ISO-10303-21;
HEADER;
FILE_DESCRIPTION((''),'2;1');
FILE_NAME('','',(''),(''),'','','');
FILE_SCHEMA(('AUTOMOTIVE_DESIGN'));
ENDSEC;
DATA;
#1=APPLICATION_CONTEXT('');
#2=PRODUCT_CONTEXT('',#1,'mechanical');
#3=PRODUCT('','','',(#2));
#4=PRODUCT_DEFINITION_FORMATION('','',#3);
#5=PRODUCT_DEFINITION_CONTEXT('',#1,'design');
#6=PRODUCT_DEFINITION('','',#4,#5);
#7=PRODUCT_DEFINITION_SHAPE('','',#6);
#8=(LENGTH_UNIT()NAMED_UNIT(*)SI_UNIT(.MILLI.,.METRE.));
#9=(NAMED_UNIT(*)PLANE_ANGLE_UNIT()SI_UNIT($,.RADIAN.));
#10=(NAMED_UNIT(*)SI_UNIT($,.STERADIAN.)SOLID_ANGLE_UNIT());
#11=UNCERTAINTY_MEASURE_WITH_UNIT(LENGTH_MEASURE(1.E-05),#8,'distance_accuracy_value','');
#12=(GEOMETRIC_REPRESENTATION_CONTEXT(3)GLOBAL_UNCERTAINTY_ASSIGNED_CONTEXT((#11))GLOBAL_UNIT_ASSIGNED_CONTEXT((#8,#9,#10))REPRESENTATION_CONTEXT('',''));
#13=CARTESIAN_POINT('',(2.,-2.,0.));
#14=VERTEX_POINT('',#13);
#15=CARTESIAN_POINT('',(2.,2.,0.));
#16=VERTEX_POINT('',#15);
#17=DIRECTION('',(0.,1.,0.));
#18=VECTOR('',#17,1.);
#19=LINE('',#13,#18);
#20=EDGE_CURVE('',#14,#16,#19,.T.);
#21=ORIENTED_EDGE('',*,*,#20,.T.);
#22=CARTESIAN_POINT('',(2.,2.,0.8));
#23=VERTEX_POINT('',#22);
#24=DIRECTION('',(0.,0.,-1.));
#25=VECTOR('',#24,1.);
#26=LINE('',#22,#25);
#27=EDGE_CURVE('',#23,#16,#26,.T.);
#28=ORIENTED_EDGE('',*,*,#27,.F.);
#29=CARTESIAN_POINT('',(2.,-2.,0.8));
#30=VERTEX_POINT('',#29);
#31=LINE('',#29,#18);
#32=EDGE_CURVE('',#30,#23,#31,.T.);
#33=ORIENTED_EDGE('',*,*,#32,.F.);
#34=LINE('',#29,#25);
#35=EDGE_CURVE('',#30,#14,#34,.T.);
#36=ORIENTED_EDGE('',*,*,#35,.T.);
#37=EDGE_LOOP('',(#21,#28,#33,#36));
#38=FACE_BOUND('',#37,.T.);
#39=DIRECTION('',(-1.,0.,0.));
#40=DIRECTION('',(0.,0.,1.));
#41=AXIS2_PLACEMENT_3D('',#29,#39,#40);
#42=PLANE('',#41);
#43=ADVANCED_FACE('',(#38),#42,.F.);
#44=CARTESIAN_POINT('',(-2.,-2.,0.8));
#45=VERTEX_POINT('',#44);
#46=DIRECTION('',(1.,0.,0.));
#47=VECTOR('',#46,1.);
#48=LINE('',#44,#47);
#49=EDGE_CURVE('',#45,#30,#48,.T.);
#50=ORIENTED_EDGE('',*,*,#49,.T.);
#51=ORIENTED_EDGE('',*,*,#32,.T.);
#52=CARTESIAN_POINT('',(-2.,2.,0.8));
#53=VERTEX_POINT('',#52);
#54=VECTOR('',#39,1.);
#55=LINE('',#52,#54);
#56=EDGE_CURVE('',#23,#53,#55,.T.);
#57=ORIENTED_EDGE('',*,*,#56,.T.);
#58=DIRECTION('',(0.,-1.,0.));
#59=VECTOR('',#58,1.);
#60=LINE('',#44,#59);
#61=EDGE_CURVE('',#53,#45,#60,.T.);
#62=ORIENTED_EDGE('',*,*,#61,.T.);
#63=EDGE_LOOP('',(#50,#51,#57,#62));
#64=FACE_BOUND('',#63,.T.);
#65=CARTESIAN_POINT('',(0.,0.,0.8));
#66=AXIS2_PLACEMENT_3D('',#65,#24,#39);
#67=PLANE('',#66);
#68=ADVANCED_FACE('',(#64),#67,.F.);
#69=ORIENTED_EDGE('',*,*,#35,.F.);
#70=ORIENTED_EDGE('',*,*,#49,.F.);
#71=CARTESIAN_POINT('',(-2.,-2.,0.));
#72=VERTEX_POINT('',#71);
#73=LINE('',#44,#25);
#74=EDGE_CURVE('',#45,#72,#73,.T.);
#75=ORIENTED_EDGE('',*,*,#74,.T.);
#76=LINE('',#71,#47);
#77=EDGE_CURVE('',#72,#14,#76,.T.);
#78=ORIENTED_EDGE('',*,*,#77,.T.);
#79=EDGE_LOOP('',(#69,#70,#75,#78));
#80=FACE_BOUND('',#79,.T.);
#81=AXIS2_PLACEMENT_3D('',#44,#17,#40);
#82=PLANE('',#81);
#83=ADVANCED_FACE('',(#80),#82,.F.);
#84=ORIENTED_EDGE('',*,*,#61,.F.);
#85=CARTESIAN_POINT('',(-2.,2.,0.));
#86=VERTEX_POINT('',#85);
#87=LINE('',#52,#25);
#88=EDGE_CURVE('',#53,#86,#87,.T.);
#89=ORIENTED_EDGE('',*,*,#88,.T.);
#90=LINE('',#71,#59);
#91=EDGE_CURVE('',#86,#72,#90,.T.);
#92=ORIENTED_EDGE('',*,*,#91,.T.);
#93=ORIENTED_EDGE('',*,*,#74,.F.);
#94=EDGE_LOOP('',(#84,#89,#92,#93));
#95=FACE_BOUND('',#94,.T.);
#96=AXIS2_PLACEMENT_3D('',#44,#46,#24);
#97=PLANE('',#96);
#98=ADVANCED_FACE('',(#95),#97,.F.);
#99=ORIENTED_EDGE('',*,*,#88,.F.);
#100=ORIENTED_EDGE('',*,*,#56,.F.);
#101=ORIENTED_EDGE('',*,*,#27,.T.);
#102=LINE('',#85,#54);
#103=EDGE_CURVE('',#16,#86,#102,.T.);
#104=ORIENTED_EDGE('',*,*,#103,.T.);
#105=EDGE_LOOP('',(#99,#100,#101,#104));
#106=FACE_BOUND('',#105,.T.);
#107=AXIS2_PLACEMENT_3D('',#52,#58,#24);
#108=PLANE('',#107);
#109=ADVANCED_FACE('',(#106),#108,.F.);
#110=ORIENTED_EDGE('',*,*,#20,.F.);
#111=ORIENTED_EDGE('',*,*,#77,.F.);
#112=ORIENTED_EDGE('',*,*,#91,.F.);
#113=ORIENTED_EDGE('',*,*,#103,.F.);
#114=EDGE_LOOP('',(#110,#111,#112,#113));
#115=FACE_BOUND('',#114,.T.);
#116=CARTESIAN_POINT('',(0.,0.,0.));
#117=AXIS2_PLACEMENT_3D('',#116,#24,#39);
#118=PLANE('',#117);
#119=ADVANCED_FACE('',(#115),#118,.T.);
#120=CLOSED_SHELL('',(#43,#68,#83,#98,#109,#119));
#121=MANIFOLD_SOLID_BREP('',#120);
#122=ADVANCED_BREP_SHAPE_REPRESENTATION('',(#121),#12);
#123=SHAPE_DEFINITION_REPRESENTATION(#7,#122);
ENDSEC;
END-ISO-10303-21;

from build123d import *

# Parameters (mm, degrees)
ESQUISSE1_W        = 4
ESQUISSE1_H        = 4
BOSS_EXTRU_1_DEPTH = 0.8


with BuildPart() as part:
    # Esquisse1 → Boss.-Extru.1 (new body)
    with BuildSketch(Plane.XY):
        Rectangle(ESQUISSE1_W, ESQUISSE1_H)
    extrude(amount=BOSS_EXTRU_1_DEPTH)


solid = part.part
